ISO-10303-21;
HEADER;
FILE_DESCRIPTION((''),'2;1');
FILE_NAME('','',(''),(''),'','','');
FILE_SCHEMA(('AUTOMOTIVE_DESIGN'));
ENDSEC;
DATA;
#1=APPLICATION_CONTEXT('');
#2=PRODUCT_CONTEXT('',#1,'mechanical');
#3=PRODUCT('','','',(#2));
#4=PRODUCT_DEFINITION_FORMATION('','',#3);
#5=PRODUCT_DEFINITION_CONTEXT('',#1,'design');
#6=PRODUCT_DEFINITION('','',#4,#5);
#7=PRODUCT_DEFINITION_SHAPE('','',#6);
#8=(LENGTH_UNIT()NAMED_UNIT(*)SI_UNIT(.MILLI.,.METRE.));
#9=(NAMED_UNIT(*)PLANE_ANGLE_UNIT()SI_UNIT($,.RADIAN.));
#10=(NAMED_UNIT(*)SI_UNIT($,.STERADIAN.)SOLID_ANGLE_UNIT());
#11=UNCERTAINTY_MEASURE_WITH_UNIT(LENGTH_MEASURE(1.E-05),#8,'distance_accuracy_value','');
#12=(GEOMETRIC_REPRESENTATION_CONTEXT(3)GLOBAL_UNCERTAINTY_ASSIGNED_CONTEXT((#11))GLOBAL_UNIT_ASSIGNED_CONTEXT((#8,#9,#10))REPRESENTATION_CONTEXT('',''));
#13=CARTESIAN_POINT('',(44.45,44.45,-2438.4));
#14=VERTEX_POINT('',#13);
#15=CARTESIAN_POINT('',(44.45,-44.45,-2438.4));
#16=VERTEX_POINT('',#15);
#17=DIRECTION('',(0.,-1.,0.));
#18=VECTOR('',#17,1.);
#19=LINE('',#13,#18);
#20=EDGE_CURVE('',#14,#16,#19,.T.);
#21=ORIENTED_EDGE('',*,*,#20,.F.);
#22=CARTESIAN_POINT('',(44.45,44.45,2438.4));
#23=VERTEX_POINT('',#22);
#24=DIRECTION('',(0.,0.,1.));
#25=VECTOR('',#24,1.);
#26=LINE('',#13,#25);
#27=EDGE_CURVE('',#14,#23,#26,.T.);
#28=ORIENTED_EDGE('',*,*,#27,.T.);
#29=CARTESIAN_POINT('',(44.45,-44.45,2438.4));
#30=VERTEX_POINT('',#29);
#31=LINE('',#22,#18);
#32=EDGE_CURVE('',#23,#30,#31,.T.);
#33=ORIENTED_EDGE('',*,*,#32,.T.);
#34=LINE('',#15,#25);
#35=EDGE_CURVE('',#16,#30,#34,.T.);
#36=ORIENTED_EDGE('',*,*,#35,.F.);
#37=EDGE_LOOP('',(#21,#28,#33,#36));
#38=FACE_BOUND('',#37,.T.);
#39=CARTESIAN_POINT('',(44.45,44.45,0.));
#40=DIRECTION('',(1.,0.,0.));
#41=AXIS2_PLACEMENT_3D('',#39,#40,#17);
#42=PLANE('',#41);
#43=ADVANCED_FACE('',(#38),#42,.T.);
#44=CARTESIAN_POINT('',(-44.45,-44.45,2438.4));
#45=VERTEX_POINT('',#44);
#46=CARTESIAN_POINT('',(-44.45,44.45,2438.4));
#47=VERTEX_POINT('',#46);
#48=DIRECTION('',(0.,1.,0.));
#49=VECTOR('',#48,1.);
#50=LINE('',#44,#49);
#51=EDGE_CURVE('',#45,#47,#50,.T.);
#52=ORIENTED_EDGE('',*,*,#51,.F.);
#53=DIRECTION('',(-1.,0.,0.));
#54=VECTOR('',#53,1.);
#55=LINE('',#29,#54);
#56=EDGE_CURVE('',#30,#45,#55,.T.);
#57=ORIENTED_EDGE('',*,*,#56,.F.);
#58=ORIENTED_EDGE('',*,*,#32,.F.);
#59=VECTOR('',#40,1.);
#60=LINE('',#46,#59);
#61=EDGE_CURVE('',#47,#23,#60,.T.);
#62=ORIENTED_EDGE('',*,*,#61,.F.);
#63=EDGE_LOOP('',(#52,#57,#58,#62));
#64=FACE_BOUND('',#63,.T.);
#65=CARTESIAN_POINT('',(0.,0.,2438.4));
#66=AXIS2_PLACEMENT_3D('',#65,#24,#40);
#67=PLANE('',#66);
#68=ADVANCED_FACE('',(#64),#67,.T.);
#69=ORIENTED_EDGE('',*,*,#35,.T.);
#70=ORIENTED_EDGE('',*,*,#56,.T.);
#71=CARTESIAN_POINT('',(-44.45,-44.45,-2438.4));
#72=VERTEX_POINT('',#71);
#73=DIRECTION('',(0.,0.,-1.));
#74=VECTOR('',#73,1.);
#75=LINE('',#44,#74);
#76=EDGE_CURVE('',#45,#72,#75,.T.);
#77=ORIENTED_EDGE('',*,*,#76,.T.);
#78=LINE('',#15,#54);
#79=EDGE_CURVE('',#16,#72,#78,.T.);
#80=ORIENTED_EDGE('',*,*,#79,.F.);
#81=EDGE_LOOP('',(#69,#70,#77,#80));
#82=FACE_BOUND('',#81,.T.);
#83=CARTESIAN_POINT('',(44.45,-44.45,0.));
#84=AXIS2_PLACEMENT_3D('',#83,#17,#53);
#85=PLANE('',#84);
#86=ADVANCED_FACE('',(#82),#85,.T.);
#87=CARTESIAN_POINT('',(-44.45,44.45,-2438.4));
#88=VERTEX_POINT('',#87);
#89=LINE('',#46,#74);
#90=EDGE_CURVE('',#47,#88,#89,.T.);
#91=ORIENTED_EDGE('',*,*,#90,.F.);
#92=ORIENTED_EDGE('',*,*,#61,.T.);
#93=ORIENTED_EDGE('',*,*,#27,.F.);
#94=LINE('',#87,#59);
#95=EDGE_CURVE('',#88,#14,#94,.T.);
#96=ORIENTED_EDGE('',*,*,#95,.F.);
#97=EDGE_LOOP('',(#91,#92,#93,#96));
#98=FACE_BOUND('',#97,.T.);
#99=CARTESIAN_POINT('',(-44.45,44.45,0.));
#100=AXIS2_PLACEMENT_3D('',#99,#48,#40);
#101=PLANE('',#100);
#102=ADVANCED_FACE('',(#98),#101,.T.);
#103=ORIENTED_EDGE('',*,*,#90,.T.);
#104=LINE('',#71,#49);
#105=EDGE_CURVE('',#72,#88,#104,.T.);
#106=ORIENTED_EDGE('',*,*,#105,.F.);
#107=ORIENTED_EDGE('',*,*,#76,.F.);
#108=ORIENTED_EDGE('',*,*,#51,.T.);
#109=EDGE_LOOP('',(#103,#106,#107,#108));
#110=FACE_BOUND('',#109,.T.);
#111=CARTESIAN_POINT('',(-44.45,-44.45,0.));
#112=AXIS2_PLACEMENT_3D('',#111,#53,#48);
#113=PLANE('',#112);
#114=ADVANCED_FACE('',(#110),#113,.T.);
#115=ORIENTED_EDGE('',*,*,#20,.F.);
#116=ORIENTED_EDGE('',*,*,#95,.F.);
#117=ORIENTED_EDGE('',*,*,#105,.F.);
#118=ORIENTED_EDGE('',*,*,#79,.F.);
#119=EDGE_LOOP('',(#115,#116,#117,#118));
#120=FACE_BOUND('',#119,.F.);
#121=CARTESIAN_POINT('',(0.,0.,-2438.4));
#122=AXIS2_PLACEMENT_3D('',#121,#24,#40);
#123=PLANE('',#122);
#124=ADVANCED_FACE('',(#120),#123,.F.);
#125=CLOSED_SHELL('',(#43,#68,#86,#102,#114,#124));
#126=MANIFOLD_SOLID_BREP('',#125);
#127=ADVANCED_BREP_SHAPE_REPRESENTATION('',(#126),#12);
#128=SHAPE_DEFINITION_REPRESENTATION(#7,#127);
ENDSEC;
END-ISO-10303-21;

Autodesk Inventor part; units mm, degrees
ref_plane "YZ Plane" through (0, 0, 0) normal (1, 0, 0) x (0, 1, 0)
ref_plane "XZ Plane" through (0, 0, 0) normal (0, 1, 0) x (-1, 0, 0)
ref_plane "XY Plane" through (0, 0, 0) normal (0, 0, 1) x (1, 0, 0)
sketch "Sketch1" plane through (0, 0, 0) normal (0, 0, 1) x (1, 0, 0)
  line L0 (44.45, -44.45) -> (-44.45, -44.45)
  line L1 (-44.45, -44.45) -> (-44.45, 44.45)
  line L2 (-44.45, 44.45) -> (44.45, 44.45)
  line L3 (44.45, 44.45) -> (44.45, -44.45)
  line L4 (44.45, -44.45) -> (-44.45, 44.45) construction
  line L5 (-44.45, -44.45) -> (44.45, 44.45) construction
  point P0 (0, 0)
  dimension "d0" = 88.9
  dimension "d1" = 88.9
extrude "Extrusion1" add sketch "Sketch1" along normal mid plane 4876.8
properties part number "16'x4x4"
